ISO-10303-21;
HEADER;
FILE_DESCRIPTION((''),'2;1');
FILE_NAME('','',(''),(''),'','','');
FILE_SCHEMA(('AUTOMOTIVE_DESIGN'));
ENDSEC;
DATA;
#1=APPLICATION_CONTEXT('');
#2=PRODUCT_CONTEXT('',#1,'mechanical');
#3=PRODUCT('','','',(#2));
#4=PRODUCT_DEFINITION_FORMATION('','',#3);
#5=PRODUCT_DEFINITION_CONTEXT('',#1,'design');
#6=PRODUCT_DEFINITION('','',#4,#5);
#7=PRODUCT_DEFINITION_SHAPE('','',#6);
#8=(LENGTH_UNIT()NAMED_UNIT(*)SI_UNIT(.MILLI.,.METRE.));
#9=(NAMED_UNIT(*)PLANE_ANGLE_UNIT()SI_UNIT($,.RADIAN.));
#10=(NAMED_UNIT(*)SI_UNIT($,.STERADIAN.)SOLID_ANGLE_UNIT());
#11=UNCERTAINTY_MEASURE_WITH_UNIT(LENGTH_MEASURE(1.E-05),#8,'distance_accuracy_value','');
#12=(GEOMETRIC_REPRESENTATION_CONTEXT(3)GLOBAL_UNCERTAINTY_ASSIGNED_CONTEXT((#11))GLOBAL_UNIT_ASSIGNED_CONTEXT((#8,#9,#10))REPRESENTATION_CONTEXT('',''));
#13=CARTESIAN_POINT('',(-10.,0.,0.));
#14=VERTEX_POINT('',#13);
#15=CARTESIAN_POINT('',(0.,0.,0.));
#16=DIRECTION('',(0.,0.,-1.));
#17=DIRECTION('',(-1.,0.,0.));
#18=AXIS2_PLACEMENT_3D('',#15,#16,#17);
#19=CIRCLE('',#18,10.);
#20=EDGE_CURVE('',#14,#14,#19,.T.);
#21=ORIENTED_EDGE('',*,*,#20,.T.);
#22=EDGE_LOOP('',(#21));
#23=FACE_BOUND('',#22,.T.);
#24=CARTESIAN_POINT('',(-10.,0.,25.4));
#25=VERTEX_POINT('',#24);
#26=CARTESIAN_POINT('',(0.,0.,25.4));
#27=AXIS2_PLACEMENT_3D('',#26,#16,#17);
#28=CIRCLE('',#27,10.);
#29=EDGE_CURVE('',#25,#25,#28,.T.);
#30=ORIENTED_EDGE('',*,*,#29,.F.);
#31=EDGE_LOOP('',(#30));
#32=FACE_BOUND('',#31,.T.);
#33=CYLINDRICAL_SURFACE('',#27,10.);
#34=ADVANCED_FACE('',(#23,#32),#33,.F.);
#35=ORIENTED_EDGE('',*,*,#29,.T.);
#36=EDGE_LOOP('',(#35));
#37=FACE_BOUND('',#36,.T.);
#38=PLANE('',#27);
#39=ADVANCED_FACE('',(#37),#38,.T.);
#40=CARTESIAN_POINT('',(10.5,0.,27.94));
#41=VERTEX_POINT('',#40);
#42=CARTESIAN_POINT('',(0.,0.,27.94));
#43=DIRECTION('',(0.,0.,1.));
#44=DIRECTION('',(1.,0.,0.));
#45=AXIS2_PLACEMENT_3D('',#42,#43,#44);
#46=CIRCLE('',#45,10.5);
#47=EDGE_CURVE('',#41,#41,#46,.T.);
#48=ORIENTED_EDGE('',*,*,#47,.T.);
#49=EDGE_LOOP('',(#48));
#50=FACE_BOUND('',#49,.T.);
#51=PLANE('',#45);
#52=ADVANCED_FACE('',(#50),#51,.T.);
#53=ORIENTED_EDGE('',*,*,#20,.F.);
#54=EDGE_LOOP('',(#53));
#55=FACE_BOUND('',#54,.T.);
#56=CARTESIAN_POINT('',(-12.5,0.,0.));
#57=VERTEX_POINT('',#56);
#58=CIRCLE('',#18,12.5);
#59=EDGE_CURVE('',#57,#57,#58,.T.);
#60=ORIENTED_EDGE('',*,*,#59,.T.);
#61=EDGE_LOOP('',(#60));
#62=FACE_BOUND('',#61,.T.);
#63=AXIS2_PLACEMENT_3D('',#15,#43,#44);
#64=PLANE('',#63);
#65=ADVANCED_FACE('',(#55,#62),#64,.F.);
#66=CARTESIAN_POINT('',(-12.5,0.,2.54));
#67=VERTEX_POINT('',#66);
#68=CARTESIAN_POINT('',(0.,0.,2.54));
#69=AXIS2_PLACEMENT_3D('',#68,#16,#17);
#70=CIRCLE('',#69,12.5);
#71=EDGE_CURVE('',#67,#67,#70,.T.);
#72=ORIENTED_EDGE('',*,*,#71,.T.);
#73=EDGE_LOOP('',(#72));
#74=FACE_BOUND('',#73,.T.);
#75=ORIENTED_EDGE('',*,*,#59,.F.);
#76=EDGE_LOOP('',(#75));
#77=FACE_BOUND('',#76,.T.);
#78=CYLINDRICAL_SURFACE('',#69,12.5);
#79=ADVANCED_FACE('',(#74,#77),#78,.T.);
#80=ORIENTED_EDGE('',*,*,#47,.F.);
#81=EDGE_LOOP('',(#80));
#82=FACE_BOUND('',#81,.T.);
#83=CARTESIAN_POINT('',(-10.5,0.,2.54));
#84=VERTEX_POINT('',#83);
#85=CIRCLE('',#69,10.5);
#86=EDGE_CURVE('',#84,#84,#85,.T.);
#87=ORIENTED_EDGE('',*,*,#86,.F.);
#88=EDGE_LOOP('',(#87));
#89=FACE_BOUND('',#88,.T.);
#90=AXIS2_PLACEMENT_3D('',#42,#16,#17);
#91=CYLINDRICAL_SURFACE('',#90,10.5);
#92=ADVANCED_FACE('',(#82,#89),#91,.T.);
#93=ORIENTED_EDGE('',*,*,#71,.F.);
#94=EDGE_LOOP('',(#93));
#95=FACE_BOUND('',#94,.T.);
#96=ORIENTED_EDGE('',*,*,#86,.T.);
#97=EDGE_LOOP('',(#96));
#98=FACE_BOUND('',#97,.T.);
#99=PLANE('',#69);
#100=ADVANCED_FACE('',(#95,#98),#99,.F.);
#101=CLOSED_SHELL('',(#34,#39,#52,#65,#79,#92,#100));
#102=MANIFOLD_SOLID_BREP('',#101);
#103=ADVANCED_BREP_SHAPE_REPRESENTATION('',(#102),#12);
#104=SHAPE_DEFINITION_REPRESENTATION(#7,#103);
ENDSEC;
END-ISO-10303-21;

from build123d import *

# Parameters (mm, degrees)
SKETCH1_R           = 10.5
BOSS_EXTRUDE2_DEPTH = 27.94
SKETCH2_R           = 12.5
BOSS_EXTRUDE3_DEPTH = 2.54
SKETCH3_R           = 10
CUT_EXTRUDE2_DEPTH  = 25.4


with BuildPart() as part:
    # Sketch1 → Boss-Extrude2 (new body)
    with BuildSketch(Plane.XY):
        Circle(SKETCH1_R)
    extrude(amount=BOSS_EXTRUDE2_DEPTH)

    # Sketch2 → Boss-Extrude3 (add)
    with BuildSketch(Plane(origin=(0, 0, 0), x_dir=(-1, 0, 0), z_dir=(0, 0, -1))):
        Circle(SKETCH2_R)
    extrude(amount=-BOSS_EXTRUDE3_DEPTH)

    # Sketch3 → Cut-Extrude2 (cut)
    with BuildSketch(Plane(origin=(0, 0, 0), x_dir=(-1, 0, 0), z_dir=(0, 0, -1))):
        Circle(SKETCH3_R)
    extrude(amount=-CUT_EXTRUDE2_DEPTH, mode=Mode.SUBTRACT)


solid = part.part
